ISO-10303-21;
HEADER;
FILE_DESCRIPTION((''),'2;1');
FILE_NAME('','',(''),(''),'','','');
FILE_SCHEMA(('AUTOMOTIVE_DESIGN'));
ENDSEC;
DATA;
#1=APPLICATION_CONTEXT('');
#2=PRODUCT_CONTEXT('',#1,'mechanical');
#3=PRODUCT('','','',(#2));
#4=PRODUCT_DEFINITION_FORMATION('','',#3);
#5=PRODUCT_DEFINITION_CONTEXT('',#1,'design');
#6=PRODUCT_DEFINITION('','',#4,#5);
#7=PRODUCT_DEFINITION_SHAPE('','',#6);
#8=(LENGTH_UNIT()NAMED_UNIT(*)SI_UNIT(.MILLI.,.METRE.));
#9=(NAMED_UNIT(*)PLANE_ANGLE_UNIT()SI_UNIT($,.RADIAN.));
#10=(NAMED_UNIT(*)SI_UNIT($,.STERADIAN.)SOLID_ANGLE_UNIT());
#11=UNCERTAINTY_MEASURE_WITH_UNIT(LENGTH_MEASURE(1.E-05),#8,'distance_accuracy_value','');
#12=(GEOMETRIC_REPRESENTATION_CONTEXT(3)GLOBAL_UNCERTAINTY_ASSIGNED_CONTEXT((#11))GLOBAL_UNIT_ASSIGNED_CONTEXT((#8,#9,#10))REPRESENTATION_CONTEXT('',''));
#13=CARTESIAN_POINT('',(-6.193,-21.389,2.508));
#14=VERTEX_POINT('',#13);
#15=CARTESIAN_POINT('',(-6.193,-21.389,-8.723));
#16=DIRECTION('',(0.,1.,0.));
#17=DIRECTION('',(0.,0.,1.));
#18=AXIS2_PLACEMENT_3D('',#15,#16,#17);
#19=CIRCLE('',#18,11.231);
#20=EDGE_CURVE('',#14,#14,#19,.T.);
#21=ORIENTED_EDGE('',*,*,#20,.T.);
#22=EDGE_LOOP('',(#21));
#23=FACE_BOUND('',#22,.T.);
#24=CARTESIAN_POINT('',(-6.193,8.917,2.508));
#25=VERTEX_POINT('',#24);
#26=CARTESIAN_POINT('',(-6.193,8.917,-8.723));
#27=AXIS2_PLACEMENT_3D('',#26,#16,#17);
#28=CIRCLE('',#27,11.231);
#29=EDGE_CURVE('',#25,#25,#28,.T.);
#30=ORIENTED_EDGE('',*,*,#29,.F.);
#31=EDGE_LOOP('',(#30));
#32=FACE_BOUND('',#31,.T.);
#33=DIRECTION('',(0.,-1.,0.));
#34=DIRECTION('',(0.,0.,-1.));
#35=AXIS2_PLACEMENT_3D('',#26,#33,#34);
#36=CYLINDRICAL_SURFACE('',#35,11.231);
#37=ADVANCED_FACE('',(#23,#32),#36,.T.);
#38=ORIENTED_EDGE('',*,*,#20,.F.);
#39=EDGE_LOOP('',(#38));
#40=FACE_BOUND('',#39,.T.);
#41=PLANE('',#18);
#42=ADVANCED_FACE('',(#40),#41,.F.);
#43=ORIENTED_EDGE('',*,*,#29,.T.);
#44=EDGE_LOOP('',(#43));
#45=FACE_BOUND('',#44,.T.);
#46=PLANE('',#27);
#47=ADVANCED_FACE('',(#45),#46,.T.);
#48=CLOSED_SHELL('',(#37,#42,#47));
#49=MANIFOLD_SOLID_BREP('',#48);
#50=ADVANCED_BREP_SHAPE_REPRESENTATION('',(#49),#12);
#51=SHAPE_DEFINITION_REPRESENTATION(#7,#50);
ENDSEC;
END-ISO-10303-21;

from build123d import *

# Parameters (mm, degrees)
CURVEBOSS_DEPTH      = 8.917
CURVEBOSS_DEPTH_BACK = 21.389
CURVESKETCH_R        = 11.231


with BuildPart() as part:
    # CurveSketch → CurveBoss (new, two sides: drawn at the far end of the back side and taken through both)
    with BuildSketch(Plane(origin=(0, 0, 0), x_dir=(1, 0, 0), z_dir=(0, 1, 0)).offset(-CURVEBOSS_DEPTH_BACK)):
        with Locations(Location((-6.193, 8.723, 0), (0, 0, 270))):
            Circle(CURVESKETCH_R)
    extrude(amount=CURVEBOSS_DEPTH + CURVEBOSS_DEPTH_BACK)


solid = part.part
